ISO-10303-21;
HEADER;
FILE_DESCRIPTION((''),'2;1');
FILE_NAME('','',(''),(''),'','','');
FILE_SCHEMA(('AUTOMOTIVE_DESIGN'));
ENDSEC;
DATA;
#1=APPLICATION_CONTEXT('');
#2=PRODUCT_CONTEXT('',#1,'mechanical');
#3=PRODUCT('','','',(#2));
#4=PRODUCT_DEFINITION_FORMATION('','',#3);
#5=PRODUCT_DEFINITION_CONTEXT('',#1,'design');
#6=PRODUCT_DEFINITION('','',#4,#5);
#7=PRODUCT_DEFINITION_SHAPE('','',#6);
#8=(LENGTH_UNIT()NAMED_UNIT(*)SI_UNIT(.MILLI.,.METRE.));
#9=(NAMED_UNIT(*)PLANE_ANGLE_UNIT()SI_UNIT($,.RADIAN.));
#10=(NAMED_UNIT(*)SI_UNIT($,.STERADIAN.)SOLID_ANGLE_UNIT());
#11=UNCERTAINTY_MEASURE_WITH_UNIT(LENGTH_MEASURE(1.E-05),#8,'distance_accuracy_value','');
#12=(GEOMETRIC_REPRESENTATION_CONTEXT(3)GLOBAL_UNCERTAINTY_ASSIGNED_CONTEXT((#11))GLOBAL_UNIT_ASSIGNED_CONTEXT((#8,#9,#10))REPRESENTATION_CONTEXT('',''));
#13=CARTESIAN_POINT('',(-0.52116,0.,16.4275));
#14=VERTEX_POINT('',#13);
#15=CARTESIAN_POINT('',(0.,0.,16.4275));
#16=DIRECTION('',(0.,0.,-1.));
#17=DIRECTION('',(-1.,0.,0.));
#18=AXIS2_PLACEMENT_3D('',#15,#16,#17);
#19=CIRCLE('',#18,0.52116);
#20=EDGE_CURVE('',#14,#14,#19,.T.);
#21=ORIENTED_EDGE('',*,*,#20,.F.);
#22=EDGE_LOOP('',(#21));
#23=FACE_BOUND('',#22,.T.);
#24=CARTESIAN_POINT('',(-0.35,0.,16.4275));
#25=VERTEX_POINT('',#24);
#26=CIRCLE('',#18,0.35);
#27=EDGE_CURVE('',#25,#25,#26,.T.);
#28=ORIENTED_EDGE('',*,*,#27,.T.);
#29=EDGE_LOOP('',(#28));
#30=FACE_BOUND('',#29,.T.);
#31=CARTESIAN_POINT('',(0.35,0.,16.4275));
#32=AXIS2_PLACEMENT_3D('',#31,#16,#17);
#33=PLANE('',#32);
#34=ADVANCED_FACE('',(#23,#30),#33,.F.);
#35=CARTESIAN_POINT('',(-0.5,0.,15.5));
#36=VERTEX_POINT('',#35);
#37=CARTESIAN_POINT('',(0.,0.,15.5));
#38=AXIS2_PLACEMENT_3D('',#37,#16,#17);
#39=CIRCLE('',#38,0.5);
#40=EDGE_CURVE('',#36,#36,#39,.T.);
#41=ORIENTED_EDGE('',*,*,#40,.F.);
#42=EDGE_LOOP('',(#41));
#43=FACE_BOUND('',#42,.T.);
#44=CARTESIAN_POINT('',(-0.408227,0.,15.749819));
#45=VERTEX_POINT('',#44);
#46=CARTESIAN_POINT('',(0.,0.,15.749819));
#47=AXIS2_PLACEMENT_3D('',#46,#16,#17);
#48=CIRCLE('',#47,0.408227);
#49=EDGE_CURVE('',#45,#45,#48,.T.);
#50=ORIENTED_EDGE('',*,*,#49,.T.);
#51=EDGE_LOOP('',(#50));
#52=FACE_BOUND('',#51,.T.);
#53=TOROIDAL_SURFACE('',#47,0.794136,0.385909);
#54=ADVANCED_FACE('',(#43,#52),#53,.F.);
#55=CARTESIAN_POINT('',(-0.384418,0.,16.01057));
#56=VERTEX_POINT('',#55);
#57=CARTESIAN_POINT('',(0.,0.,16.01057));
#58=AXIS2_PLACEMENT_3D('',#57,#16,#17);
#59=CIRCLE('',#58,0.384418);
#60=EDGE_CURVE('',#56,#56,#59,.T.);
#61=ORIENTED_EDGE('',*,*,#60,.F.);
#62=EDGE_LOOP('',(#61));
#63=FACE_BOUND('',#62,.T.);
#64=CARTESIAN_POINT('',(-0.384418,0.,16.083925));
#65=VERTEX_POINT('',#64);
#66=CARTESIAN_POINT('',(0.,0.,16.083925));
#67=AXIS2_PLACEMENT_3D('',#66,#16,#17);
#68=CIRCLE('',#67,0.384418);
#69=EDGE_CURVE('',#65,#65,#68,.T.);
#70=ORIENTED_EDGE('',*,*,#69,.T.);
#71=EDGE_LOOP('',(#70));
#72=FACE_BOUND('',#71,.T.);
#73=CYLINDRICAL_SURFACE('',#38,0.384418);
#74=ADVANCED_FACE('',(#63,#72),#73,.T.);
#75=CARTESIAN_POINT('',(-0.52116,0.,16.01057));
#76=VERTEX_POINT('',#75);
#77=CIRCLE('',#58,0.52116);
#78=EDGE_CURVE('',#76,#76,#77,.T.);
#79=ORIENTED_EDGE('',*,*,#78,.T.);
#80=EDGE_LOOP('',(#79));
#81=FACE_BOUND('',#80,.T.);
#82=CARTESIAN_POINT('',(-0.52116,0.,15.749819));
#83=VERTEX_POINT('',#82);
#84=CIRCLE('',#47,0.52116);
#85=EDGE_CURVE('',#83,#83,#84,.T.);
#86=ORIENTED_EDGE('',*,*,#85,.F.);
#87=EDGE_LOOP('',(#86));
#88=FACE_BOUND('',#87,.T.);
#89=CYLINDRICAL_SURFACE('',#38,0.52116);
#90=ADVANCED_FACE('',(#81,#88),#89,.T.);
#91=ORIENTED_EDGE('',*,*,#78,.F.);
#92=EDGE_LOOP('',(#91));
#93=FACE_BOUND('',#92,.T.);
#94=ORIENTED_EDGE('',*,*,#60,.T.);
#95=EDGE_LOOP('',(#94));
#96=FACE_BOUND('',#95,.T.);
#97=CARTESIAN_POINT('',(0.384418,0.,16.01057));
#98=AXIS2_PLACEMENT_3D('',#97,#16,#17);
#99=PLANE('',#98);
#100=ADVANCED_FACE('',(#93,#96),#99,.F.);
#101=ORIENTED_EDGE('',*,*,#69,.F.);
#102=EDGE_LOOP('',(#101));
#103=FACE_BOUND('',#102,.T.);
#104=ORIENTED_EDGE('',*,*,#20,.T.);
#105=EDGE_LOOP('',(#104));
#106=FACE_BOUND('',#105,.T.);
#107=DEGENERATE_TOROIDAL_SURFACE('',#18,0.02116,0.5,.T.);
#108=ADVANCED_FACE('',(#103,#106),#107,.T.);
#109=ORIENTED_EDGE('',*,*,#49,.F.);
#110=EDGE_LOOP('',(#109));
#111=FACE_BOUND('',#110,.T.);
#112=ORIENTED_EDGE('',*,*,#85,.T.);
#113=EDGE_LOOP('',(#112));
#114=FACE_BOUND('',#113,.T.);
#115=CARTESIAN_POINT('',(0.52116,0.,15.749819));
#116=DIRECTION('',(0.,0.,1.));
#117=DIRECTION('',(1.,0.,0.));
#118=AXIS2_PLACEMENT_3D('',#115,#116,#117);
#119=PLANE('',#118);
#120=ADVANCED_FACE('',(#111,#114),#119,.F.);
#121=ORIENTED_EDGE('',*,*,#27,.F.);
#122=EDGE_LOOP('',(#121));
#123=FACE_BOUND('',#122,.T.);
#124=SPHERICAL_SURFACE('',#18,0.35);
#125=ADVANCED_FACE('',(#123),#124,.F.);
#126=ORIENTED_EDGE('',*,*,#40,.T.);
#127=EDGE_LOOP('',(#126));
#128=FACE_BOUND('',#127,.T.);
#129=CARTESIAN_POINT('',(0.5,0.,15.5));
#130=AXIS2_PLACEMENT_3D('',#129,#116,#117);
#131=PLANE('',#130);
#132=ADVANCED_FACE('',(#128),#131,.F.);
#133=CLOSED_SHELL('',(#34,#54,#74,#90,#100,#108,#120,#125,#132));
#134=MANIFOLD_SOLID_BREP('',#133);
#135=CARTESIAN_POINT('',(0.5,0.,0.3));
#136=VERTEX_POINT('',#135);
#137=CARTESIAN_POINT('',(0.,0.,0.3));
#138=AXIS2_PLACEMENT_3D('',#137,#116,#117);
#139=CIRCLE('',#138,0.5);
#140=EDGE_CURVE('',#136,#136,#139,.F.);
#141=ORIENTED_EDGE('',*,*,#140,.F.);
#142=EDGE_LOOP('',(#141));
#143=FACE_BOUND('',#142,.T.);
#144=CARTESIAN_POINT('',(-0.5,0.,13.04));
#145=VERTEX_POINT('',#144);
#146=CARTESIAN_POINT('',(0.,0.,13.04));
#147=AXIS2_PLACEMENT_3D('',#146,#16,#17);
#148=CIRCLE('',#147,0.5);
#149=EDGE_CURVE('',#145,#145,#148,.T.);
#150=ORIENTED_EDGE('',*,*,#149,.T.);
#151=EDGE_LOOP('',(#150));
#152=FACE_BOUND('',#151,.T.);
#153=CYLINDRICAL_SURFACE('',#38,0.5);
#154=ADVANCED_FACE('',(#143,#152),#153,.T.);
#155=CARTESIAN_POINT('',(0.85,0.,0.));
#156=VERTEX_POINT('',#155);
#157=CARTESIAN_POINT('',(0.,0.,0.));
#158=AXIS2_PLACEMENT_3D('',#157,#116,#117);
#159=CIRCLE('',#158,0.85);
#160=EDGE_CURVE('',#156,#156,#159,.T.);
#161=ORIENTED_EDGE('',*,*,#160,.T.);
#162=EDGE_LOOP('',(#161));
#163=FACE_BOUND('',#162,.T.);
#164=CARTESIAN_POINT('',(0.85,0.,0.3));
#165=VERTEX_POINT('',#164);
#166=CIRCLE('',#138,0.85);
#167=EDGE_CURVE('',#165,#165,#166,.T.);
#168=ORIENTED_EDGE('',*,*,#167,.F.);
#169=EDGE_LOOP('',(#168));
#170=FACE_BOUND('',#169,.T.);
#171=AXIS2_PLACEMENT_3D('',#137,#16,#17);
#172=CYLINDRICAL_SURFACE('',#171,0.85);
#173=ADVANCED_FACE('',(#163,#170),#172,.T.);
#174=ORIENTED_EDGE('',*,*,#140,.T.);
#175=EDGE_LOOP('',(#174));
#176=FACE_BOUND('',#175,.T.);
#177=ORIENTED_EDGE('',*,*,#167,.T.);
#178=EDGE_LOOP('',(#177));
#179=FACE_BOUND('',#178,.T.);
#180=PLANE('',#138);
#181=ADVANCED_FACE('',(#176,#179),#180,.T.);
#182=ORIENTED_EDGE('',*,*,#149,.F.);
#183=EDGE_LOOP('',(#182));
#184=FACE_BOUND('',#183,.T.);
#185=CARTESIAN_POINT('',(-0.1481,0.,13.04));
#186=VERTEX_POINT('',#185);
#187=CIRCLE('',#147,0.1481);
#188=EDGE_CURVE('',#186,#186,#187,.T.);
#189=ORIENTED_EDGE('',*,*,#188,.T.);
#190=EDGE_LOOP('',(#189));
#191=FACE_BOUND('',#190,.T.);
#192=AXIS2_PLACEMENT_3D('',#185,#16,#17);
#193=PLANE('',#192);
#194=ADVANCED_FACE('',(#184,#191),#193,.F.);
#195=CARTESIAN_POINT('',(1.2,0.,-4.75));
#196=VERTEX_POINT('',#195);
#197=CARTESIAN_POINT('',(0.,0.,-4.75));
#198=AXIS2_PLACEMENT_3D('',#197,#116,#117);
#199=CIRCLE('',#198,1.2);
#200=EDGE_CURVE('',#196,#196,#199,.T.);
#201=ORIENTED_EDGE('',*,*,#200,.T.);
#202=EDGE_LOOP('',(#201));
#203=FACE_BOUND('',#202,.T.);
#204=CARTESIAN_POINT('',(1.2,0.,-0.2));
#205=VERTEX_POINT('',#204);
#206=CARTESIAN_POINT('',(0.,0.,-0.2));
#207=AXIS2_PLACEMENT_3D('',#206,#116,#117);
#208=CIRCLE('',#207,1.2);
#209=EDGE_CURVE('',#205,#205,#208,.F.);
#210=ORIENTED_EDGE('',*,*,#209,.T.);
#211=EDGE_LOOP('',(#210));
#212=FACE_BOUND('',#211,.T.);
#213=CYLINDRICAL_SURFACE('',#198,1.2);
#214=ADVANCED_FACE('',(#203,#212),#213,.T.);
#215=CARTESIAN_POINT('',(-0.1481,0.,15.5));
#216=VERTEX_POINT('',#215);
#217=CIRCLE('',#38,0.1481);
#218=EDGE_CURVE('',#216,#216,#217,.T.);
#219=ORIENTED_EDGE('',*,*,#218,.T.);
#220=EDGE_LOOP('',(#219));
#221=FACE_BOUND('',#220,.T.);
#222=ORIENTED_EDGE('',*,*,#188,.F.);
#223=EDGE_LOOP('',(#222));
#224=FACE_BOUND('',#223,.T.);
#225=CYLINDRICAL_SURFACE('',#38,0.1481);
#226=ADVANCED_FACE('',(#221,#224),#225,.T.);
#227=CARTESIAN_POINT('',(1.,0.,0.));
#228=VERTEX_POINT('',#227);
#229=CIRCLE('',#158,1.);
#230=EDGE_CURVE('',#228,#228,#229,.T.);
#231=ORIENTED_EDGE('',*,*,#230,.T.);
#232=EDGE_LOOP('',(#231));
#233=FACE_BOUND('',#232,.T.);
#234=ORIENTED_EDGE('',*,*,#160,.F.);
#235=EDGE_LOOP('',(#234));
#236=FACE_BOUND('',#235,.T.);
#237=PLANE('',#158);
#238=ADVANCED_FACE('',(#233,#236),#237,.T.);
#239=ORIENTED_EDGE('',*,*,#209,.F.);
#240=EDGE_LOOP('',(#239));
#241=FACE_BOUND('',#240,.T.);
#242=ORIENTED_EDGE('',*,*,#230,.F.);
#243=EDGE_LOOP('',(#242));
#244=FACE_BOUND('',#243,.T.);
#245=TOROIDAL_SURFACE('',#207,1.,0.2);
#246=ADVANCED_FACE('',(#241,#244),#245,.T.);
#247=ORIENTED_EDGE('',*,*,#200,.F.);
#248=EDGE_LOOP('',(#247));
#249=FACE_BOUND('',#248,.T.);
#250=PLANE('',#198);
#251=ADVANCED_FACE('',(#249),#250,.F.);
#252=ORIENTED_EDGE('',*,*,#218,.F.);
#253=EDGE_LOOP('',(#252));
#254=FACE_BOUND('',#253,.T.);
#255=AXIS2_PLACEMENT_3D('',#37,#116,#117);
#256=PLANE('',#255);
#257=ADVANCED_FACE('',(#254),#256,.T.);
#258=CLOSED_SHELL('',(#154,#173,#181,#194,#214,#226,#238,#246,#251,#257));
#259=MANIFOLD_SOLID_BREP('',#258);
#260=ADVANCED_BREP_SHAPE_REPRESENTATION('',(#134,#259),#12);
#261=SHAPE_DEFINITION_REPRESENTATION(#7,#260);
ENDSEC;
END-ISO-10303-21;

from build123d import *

# Parameters (mm, degrees)
SKETCH1_R           = 0.5
BOSS_EXTRUDE1_DEPTH = 15.5
SKETCH1_3_R         = 1.2
BOSS_EXTRUDE2_DEPTH = 4.75
FILLET1_R           = 0.2
SKETCH8_W           = 0.783973705
SKETCH8_H           = 2.46
SKETCH9_R           = 0.85
BOSS_EXTRUDE5_DEPTH = 0.3


with BuildPart() as part:
    # Sketch1 → Boss-Extrude1 (new body)
    with BuildSketch(Plane.XY):
        Circle(SKETCH1_R)
    extrude(amount=BOSS_EXTRUDE1_DEPTH)

    # Sketch8 → Cut-Revolve2 (revolve, cut)
    with BuildSketch(Plane(origin=(0, 0, 0), x_dir=(1, 0, 0), z_dir=(0, 1, 0))):
        with Locations((-0.540086852, -14.27)):
            Rectangle(SKETCH8_W, SKETCH8_H)
    revolve(axis=Axis((0, 0, 15.5), (0, 0, 1)), mode=Mode.SUBTRACT)



with BuildPart() as body_2:
    # Sketch1<3> → Boss-Extrude2 (new body)
    with BuildSketch(Plane.XY):
        Circle(SKETCH1_3_R)
    extrude(amount=-BOSS_EXTRUDE2_DEPTH)

    # Fillet1
    fillet1_edges = [body_2.edges().sort_by_distance(p)[0] for p in [
        (-1.2, 0, 0),
    ]]
    fillet(fillet1_edges, radius=FILLET1_R)


with BuildPart() as body_3:
    # Sketch3 → Revolve1 (revolve)
    with BuildSketch(Plane(origin=(0, 0, 0), x_dir=(1, 0, 0), z_dir=(0, 1, 0))):
        with BuildLine():
            Line((0.5, -15.5), (0, -15.5))
            Line((0, -15.5), (0, -16.0775))
            ThreePointArc((0, -16.0775), (0.247487373, -16.180012627), (0.35, -16.4275))
            Line((0.35, -16.4275), (0.521160332, -16.4275))
            ThreePointArc((0.521160332, -16.4275), (0.485718669, -16.242606648), (0.384418127, -16.083925008))
            Line((0.384418127, -16.083925008), (0.384418127, -16.010569997))
            Line((0.384418127, -16.010569997), (0.521160332, -16.010569997))
            Line((0.521160332, -16.010569997), (0.521160332, -15.749819222))
            Line((0.521160332, -15.749819222), (0.40822727, -15.749819222))
            ThreePointArc((0.40822727, -15.749819222), (0.4318963, -15.616747927), (0.5, -15.5))
        make_face()
    revolve(axis=Axis((0, 0, 15.5), (0, 0, 1)))


with BuildPart() as part_1:
    add(part.part)

    add(body_2.part)  # Boss-Extrude5 merges body 2
    # Sketch9 → Boss-Extrude5 (add)
    with BuildSketch(Plane.XY):
        Circle(SKETCH9_R)
    extrude(amount=BOSS_EXTRUDE5_DEPTH)


solid = Compound([body_3.part, part_1.part])
